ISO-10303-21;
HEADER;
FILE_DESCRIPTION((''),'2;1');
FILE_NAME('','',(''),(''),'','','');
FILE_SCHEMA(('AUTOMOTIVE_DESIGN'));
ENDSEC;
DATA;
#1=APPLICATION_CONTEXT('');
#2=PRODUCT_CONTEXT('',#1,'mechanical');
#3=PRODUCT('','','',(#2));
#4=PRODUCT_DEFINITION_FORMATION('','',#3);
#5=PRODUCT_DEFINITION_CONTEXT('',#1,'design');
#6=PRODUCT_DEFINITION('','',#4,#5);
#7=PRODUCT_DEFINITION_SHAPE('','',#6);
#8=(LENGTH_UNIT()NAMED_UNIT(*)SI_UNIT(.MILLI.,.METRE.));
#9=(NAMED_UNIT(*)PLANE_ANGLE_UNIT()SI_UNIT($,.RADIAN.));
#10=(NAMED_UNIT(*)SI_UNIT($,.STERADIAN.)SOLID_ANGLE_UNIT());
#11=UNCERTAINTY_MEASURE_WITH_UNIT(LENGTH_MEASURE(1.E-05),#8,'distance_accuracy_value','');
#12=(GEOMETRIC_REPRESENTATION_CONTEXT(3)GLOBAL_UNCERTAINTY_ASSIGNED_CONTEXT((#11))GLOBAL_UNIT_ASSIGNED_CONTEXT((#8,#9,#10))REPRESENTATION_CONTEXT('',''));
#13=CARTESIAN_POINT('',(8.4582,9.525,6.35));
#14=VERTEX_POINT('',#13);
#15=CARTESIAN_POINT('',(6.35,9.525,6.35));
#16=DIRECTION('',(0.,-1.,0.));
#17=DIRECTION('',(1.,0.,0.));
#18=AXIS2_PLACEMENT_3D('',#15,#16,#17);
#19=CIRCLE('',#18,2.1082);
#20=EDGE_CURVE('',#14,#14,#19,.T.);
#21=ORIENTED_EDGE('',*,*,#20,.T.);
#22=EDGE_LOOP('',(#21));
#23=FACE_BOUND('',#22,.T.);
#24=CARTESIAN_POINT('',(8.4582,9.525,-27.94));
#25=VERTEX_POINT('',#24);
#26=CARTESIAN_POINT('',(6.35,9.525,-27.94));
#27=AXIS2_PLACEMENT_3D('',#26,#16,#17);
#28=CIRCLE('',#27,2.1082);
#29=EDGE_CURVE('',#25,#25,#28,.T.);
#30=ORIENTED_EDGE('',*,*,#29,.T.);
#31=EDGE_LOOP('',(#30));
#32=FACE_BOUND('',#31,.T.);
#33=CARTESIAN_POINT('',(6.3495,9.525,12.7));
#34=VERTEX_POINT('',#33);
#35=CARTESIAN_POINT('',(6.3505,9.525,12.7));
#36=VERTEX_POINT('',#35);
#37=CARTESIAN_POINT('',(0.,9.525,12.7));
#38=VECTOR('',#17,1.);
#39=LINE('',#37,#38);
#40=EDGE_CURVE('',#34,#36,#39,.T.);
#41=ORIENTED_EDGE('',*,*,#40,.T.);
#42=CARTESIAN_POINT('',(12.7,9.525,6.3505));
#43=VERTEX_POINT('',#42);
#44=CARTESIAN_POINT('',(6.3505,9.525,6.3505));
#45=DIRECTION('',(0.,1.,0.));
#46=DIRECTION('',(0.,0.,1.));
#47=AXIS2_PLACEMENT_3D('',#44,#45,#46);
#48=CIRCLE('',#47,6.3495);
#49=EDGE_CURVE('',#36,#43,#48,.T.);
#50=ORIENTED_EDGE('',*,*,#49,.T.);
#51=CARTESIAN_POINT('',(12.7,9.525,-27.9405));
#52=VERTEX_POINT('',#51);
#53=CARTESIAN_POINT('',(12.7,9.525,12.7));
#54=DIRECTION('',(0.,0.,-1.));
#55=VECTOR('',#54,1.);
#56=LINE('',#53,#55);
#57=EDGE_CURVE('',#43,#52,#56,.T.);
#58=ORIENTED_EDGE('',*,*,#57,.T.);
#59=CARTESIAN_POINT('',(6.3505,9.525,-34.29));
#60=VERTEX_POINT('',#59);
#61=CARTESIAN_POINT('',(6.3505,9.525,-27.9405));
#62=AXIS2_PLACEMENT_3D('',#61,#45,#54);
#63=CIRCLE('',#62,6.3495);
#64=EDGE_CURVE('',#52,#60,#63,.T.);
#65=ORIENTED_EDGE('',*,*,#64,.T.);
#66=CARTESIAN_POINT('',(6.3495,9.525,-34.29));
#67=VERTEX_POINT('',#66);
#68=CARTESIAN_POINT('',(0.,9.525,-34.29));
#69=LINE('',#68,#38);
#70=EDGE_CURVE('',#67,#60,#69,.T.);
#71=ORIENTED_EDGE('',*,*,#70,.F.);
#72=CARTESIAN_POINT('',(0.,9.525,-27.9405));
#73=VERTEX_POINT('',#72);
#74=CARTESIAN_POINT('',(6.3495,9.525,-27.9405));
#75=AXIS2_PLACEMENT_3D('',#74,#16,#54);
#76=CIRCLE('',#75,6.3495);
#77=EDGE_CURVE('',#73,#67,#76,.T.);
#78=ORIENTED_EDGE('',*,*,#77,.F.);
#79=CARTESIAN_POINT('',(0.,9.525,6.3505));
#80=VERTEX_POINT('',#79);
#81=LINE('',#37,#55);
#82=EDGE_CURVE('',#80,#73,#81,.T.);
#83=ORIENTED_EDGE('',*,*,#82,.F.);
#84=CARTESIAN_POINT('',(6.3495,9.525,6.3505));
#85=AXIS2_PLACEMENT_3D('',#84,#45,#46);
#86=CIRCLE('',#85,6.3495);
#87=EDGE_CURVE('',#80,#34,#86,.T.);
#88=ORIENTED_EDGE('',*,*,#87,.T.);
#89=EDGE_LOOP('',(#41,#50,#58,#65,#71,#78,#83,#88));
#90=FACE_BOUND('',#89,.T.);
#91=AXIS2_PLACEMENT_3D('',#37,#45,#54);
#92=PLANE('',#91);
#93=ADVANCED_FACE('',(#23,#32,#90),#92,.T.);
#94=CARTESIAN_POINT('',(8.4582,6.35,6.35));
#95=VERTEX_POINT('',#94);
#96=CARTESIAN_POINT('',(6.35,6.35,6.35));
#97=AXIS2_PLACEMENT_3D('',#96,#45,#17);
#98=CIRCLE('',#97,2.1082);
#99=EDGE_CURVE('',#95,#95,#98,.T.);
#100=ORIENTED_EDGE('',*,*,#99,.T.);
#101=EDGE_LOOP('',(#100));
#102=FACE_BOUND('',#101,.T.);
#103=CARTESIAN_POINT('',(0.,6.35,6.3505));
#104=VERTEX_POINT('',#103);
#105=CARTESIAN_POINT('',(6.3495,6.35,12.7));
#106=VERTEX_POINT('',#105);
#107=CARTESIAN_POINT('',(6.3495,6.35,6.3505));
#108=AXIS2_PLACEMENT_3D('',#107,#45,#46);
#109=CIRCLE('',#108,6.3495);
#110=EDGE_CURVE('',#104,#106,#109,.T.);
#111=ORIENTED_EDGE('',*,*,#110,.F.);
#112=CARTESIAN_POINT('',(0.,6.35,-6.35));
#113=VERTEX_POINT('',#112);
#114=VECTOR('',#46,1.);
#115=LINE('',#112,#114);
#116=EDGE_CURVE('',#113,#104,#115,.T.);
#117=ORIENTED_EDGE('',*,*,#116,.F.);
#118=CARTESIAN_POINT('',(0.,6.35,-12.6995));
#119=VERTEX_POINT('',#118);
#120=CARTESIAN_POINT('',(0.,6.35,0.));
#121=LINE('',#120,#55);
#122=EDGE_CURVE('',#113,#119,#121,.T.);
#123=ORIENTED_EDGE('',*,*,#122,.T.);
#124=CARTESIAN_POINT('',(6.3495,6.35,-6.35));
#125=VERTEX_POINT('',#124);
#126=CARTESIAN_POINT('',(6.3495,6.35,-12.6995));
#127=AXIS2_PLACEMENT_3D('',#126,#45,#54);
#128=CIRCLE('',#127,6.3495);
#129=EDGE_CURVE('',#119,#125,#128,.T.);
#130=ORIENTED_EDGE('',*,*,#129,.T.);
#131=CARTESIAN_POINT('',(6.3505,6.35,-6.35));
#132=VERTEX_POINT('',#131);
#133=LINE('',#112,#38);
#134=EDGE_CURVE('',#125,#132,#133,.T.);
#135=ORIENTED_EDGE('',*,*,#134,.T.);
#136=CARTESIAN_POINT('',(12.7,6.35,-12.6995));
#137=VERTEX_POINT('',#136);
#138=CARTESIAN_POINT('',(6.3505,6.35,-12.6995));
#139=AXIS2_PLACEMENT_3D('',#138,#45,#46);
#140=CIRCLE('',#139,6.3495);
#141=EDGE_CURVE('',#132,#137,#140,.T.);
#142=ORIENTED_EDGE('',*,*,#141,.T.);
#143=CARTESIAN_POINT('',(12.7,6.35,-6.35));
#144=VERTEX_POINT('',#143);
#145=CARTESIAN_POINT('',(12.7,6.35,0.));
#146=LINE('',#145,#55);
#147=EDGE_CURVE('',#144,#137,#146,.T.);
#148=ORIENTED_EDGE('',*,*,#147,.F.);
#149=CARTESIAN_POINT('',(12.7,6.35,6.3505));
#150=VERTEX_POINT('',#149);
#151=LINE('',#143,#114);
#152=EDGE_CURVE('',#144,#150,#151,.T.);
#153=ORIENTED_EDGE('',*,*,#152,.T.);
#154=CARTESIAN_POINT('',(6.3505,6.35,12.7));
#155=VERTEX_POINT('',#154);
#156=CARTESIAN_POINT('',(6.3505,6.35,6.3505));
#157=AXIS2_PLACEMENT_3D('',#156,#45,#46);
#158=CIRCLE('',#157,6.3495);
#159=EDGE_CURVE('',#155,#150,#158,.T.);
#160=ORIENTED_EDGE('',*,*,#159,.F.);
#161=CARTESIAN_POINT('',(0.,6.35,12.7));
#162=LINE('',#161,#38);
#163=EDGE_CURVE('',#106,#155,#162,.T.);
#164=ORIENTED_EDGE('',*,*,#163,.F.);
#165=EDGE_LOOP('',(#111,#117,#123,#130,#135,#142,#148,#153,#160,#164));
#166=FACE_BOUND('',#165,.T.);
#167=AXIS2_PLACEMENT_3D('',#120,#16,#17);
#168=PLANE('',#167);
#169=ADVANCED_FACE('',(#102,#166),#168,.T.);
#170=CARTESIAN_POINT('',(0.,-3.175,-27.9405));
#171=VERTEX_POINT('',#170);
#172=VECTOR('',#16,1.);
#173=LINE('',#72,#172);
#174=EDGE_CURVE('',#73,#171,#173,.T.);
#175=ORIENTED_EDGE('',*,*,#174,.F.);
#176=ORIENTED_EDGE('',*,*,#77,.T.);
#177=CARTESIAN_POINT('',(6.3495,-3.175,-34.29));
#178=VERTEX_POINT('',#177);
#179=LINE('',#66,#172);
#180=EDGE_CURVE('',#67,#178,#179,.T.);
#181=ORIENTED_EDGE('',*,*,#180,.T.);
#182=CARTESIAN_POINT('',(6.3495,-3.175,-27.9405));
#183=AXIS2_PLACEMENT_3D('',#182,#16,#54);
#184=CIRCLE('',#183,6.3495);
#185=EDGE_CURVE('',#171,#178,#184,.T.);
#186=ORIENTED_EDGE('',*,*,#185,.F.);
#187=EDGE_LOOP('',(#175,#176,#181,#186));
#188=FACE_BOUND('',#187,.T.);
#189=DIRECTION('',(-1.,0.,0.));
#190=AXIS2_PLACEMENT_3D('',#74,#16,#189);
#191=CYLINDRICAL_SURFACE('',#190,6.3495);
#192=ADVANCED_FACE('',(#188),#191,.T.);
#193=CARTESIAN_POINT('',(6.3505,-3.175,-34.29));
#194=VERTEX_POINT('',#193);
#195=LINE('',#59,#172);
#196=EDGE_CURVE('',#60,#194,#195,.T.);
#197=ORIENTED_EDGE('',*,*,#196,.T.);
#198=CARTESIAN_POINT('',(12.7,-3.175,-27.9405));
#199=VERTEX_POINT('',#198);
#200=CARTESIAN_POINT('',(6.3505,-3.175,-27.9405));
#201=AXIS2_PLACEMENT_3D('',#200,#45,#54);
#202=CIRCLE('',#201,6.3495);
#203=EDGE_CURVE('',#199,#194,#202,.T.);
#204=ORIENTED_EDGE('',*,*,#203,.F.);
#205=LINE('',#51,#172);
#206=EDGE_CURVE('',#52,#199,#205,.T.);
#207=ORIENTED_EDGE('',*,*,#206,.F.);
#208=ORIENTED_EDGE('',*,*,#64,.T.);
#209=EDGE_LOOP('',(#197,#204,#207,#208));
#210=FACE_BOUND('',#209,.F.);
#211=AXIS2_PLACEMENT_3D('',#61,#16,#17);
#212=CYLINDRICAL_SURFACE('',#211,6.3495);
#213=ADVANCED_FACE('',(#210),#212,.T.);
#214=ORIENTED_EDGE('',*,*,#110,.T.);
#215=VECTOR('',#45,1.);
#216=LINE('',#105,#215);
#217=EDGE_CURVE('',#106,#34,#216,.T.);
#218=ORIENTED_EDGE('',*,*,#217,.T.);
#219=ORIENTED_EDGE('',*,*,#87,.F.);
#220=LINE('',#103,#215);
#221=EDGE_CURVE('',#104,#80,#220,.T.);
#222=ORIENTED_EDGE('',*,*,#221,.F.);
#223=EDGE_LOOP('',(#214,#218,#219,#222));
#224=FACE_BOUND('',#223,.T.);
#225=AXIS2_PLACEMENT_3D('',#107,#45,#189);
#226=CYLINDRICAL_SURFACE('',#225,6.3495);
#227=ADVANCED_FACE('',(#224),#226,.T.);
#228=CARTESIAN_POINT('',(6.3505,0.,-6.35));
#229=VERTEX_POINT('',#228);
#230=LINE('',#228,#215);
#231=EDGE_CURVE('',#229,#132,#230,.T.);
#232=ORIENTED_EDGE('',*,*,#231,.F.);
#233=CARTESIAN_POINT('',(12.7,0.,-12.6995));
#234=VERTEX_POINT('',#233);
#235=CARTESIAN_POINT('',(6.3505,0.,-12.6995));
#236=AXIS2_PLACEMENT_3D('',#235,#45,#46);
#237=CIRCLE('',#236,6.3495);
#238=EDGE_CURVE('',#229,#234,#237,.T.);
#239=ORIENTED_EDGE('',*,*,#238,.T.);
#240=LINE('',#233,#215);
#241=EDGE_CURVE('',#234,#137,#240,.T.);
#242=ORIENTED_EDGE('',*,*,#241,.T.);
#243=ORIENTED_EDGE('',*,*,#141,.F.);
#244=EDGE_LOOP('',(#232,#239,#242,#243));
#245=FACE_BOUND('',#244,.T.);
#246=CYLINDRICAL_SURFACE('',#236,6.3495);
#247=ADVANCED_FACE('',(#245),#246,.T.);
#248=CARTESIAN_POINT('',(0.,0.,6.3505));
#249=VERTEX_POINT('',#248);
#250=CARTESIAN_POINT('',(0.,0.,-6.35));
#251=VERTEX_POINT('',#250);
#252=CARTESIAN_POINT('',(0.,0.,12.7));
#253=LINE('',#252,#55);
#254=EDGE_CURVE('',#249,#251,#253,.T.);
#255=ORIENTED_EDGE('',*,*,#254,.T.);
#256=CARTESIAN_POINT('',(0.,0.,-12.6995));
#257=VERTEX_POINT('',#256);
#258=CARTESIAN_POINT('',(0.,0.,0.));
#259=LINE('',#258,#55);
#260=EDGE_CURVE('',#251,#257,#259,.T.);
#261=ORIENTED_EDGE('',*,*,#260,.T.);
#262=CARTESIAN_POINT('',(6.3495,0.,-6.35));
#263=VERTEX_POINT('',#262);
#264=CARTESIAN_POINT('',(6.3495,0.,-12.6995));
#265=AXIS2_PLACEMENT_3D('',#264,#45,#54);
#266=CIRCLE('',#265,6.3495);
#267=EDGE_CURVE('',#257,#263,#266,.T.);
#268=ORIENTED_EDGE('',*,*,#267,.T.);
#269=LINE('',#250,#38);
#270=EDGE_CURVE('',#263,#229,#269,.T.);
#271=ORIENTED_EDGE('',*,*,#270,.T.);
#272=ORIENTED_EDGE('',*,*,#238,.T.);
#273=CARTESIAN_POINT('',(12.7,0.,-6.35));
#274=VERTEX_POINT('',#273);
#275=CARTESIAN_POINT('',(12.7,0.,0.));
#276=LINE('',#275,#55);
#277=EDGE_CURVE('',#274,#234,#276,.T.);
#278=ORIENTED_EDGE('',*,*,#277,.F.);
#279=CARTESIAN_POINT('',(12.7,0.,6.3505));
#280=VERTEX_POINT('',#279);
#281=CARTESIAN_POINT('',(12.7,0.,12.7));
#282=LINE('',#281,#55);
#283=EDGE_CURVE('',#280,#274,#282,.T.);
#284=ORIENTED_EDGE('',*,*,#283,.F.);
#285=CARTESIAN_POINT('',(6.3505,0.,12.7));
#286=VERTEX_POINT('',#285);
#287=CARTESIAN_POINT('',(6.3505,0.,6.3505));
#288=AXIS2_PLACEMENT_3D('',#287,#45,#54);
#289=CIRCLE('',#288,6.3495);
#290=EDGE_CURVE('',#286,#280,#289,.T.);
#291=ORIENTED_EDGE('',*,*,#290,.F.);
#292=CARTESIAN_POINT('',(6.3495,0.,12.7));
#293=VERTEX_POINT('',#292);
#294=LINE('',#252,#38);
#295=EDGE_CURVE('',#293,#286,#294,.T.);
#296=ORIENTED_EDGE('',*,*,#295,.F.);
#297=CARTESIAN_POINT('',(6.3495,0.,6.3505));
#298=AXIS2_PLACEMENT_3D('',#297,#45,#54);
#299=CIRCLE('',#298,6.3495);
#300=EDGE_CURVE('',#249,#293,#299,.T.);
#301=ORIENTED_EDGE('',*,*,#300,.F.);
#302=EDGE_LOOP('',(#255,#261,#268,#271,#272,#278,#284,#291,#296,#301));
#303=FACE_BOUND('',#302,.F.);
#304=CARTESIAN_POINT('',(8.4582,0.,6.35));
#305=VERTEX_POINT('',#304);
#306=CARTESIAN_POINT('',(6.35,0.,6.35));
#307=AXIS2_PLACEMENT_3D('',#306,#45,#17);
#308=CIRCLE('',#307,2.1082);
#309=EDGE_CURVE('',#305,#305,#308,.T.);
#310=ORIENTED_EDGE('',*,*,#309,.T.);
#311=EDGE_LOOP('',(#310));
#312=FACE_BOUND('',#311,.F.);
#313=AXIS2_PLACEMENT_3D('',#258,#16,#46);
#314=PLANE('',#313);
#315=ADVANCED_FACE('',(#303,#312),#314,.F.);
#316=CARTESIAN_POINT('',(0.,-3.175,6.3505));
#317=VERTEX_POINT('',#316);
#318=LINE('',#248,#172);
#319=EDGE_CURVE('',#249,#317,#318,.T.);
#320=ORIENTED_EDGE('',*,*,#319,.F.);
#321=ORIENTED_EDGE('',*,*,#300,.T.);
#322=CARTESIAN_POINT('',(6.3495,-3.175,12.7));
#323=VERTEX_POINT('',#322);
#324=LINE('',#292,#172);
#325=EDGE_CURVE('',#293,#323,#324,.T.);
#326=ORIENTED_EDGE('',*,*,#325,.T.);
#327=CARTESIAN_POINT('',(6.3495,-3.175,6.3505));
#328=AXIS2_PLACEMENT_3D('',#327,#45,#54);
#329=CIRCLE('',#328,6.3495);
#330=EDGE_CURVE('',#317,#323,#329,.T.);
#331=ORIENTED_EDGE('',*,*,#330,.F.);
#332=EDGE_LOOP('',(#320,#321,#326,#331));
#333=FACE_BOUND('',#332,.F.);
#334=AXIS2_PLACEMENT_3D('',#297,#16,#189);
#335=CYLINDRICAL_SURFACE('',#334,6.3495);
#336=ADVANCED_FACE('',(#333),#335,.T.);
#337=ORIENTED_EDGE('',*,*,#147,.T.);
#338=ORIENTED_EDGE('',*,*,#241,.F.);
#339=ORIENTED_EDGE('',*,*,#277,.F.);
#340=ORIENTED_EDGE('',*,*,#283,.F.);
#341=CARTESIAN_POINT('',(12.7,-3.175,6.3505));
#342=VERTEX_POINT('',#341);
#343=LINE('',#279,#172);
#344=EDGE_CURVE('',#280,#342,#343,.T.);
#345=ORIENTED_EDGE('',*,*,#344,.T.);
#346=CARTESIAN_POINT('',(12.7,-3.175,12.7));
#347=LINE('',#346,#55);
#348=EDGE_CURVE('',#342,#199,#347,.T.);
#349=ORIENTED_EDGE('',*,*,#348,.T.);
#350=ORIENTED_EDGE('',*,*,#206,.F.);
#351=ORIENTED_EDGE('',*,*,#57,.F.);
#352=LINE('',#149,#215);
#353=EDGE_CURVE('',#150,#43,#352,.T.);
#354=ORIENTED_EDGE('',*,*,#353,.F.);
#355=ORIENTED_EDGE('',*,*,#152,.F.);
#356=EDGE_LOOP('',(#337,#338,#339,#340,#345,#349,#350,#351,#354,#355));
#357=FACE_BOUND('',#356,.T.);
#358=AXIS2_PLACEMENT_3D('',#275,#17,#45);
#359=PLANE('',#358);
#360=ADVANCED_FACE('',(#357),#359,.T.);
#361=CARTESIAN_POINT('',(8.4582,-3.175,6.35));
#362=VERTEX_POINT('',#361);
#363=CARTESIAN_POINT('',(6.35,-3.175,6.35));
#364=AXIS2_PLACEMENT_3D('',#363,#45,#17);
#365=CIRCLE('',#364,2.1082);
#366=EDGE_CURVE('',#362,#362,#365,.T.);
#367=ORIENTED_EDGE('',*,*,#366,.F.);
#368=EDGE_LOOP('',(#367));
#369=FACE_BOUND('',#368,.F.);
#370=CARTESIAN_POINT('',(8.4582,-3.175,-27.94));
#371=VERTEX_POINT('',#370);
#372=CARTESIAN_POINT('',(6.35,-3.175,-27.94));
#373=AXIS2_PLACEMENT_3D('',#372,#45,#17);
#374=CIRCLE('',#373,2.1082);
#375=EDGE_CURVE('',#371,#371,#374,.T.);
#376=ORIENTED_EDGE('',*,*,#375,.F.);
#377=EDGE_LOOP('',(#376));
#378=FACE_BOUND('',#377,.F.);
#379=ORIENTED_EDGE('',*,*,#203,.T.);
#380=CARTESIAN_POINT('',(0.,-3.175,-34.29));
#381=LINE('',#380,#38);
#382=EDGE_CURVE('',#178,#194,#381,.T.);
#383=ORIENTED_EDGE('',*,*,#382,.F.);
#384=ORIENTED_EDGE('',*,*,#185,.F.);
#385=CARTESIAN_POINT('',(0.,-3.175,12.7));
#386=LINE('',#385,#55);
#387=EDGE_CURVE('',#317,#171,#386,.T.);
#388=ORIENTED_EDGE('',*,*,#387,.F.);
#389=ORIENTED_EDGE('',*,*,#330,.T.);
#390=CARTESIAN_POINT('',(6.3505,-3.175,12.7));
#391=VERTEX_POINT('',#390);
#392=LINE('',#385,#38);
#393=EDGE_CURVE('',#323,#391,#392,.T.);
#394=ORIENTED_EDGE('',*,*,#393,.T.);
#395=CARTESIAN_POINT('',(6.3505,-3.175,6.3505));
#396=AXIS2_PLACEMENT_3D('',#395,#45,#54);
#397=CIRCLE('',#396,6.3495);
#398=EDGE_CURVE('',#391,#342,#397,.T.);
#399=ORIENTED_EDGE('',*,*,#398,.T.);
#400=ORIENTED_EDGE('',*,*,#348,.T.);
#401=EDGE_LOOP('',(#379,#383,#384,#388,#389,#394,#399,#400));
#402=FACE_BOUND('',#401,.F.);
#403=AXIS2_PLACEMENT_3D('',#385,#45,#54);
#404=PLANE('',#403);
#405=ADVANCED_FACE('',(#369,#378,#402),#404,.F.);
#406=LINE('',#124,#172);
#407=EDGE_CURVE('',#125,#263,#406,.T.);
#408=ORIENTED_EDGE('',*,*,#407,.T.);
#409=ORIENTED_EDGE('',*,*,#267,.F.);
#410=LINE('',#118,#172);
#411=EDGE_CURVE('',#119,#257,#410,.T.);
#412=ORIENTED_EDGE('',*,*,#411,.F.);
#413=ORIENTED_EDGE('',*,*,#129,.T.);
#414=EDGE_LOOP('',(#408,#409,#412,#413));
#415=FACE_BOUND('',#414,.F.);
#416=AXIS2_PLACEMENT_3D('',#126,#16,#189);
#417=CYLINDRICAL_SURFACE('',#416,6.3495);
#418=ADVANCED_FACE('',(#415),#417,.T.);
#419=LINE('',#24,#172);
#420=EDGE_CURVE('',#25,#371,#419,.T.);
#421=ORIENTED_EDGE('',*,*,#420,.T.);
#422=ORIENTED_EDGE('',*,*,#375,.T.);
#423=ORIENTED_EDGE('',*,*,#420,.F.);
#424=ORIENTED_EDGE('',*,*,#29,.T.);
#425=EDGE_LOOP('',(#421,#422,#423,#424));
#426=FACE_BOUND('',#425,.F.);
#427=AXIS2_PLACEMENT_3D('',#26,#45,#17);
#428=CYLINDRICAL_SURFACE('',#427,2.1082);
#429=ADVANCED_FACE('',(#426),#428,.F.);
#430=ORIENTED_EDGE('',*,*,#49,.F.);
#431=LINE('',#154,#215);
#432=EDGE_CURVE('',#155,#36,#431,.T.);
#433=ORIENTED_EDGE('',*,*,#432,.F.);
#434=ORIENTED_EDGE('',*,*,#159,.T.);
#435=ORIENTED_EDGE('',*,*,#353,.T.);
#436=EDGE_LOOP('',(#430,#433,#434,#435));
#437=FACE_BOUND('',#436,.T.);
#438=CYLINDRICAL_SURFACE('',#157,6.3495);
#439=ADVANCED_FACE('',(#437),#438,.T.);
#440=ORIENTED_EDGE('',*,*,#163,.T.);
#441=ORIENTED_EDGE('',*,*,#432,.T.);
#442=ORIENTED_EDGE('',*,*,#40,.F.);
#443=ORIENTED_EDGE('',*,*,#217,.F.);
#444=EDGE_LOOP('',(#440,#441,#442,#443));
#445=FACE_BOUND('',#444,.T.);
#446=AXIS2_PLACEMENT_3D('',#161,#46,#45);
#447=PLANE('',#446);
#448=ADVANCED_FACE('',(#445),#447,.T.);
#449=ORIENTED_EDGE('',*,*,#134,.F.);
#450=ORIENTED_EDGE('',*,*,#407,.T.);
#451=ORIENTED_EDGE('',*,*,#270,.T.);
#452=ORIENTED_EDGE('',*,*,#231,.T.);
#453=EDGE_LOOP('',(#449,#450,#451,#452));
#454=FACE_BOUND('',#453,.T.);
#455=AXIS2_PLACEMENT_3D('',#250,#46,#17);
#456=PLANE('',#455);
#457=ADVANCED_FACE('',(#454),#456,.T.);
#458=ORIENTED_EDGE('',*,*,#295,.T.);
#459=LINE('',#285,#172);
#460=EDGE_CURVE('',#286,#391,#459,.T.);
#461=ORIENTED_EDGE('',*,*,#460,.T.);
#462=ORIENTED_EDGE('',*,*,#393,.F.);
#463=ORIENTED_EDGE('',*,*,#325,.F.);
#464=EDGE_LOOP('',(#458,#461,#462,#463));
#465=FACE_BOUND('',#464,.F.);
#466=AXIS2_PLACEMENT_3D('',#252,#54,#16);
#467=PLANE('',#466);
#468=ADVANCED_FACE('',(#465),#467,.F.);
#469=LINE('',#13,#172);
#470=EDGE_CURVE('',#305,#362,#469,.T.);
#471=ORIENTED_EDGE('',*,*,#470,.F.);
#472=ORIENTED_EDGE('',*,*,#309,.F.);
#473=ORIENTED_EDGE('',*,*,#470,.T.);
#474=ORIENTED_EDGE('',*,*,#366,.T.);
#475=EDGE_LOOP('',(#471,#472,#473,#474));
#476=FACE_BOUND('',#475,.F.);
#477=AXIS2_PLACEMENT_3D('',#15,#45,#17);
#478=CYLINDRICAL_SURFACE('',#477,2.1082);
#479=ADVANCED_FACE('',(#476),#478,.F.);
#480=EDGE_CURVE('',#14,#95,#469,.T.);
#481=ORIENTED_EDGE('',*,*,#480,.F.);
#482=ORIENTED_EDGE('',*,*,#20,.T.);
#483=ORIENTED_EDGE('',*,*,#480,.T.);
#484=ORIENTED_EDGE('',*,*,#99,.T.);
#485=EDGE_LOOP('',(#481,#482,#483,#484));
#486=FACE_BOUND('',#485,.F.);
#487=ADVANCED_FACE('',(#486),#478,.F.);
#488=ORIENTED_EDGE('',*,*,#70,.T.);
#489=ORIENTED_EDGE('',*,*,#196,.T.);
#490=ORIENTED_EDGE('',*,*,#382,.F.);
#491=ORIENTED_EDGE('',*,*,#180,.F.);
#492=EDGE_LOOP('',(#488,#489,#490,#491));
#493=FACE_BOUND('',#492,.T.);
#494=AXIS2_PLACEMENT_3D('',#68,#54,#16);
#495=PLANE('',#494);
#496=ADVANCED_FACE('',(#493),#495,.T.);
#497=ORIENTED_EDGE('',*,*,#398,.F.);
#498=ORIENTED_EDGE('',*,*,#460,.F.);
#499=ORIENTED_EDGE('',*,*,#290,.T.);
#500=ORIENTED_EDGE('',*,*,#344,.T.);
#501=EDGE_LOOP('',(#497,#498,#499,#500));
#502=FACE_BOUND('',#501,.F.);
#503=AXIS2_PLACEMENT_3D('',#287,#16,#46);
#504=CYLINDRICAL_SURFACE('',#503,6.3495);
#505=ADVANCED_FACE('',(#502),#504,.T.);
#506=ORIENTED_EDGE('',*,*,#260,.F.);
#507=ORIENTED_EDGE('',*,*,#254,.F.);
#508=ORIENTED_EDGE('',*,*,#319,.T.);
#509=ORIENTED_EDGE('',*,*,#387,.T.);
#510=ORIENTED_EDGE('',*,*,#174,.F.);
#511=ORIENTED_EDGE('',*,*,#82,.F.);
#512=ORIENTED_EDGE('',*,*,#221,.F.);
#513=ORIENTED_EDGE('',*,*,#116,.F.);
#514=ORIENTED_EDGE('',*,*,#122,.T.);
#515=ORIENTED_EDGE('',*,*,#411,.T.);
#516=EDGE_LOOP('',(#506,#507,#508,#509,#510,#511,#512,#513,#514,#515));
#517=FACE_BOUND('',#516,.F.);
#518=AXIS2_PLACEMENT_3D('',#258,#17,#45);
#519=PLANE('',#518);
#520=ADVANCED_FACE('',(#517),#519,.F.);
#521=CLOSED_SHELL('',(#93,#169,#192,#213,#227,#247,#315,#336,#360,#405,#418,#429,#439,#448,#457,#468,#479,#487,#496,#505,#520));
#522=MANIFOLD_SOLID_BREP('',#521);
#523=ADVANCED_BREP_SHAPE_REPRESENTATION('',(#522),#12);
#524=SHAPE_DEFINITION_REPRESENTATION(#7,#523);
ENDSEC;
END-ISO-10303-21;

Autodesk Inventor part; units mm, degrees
ref_plane "YZ Plane" through (0, 0, 0) normal (1, 0, 0) x (0, 1, 0)
ref_plane "XZ Plane" through (0, 0, 0) normal (0, 1, 0) x (-1, 0, 0)
ref_plane "XY Plane" through (0, 0, 0) normal (0, 0, 1) x (1, 0, 0)
sketch "Sketch1" plane through (0, 0, 0) normal (1, 0, 0) x (0, 1, 0)
  line L0 (0, 0) -> (6.35, 0)
  line L1 (6.35, 0) -> (6.35, 12.7)
  line L2 (0, 0) -> (0, 12.7)
  line L3 (0, 12.7) -> (-3.175, 12.7)
  line L4 (-3.175, 12.7) -> (-3.175, -34.29)
  line L5 (6.35, 12.7) -> (9.525, 12.7)
  line L6 (9.525, 12.7) -> (9.525, -34.29)
  line L7 (9.525, -34.29) -> (-3.175, -34.29)
  dimension "d0" = 6.35
  dimension "d1" = 12.7
  dimension "d2" = 3.175
  dimension "d3" = 46.99
  dimension "d4" = 3.175
extrude "Extrusion1" add sketch "Sketch1" along normal blind 12.7
sketch "Sketch2" plane through (0, 9.525, 12.7) normal (0, 1, 0) x (1, 0, 0)
  line L0 (12.7, 0) -> (12.7, 46.99) projected
  line L1 (0, 12.7) -> (12.7, 0)
  circle A0 centre (6.35, 6.35) radius 2.1082
  dimension "d7" = 4.2164
extrude "Extrusion2" cut sketch "Sketch2" against normal blind 41.275
sketch "Sketch3" plane through (0, 9.525, 12.7) normal (0, 1, 0) x (1, 0, 0)
  line L0 (12.7, 0) -> (12.7, 46.99) projected
  line L1 (12.7, 46.99) -> (12.7, 34.29)
  line L2 (0, 0) -> (0, 46.99) projected
  line L3 (12.7, 34.29) -> (0, 46.99)
  circle A0 centre (6.35, 40.64) radius 2.1082
  point P0 (0, 12.7)
  dimension "d10" = 12.7
  dimension "d11" = 4.2164
extrude "Extrusion3" cut sketch "Sketch3" against normal blind 33.3375
fillet "Fillet5" radius 6.35 2 edges at (0, 3.175, -34.29) (12.7, 3.175, -34.29)
sketch "Sketch6" plane through (0, 0, 0) normal (0, 0, 1) x (1, 0, 0)
  line L0 (0, 0) -> (12.7, 0) projected
  line L1 (0, 6.35) -> (12.7, 6.35) projected
  line L2 (0, 0) -> (12.7, 0)
  line L3 (12.7, 0) -> (12.7, 6.35)
  line L4 (12.7, 6.35) -> (0, 6.35)
  line L5 (0, 6.35) -> (0, 0)
extrude "Extrusion6" cut sketch "Sketch6" against normal blind 6.35
fillet "Fillet6" radius 6.35 6 edges at (0, 7.9375, 12.7) (0, -1.5875, 12.7) (0, 3.175, -6.35) (12.7, 7.9375, 12.7) (12.7, -1.5875, 12.7) (12.7, 3.175, -6.35)
properties part number "wing bar v2"
